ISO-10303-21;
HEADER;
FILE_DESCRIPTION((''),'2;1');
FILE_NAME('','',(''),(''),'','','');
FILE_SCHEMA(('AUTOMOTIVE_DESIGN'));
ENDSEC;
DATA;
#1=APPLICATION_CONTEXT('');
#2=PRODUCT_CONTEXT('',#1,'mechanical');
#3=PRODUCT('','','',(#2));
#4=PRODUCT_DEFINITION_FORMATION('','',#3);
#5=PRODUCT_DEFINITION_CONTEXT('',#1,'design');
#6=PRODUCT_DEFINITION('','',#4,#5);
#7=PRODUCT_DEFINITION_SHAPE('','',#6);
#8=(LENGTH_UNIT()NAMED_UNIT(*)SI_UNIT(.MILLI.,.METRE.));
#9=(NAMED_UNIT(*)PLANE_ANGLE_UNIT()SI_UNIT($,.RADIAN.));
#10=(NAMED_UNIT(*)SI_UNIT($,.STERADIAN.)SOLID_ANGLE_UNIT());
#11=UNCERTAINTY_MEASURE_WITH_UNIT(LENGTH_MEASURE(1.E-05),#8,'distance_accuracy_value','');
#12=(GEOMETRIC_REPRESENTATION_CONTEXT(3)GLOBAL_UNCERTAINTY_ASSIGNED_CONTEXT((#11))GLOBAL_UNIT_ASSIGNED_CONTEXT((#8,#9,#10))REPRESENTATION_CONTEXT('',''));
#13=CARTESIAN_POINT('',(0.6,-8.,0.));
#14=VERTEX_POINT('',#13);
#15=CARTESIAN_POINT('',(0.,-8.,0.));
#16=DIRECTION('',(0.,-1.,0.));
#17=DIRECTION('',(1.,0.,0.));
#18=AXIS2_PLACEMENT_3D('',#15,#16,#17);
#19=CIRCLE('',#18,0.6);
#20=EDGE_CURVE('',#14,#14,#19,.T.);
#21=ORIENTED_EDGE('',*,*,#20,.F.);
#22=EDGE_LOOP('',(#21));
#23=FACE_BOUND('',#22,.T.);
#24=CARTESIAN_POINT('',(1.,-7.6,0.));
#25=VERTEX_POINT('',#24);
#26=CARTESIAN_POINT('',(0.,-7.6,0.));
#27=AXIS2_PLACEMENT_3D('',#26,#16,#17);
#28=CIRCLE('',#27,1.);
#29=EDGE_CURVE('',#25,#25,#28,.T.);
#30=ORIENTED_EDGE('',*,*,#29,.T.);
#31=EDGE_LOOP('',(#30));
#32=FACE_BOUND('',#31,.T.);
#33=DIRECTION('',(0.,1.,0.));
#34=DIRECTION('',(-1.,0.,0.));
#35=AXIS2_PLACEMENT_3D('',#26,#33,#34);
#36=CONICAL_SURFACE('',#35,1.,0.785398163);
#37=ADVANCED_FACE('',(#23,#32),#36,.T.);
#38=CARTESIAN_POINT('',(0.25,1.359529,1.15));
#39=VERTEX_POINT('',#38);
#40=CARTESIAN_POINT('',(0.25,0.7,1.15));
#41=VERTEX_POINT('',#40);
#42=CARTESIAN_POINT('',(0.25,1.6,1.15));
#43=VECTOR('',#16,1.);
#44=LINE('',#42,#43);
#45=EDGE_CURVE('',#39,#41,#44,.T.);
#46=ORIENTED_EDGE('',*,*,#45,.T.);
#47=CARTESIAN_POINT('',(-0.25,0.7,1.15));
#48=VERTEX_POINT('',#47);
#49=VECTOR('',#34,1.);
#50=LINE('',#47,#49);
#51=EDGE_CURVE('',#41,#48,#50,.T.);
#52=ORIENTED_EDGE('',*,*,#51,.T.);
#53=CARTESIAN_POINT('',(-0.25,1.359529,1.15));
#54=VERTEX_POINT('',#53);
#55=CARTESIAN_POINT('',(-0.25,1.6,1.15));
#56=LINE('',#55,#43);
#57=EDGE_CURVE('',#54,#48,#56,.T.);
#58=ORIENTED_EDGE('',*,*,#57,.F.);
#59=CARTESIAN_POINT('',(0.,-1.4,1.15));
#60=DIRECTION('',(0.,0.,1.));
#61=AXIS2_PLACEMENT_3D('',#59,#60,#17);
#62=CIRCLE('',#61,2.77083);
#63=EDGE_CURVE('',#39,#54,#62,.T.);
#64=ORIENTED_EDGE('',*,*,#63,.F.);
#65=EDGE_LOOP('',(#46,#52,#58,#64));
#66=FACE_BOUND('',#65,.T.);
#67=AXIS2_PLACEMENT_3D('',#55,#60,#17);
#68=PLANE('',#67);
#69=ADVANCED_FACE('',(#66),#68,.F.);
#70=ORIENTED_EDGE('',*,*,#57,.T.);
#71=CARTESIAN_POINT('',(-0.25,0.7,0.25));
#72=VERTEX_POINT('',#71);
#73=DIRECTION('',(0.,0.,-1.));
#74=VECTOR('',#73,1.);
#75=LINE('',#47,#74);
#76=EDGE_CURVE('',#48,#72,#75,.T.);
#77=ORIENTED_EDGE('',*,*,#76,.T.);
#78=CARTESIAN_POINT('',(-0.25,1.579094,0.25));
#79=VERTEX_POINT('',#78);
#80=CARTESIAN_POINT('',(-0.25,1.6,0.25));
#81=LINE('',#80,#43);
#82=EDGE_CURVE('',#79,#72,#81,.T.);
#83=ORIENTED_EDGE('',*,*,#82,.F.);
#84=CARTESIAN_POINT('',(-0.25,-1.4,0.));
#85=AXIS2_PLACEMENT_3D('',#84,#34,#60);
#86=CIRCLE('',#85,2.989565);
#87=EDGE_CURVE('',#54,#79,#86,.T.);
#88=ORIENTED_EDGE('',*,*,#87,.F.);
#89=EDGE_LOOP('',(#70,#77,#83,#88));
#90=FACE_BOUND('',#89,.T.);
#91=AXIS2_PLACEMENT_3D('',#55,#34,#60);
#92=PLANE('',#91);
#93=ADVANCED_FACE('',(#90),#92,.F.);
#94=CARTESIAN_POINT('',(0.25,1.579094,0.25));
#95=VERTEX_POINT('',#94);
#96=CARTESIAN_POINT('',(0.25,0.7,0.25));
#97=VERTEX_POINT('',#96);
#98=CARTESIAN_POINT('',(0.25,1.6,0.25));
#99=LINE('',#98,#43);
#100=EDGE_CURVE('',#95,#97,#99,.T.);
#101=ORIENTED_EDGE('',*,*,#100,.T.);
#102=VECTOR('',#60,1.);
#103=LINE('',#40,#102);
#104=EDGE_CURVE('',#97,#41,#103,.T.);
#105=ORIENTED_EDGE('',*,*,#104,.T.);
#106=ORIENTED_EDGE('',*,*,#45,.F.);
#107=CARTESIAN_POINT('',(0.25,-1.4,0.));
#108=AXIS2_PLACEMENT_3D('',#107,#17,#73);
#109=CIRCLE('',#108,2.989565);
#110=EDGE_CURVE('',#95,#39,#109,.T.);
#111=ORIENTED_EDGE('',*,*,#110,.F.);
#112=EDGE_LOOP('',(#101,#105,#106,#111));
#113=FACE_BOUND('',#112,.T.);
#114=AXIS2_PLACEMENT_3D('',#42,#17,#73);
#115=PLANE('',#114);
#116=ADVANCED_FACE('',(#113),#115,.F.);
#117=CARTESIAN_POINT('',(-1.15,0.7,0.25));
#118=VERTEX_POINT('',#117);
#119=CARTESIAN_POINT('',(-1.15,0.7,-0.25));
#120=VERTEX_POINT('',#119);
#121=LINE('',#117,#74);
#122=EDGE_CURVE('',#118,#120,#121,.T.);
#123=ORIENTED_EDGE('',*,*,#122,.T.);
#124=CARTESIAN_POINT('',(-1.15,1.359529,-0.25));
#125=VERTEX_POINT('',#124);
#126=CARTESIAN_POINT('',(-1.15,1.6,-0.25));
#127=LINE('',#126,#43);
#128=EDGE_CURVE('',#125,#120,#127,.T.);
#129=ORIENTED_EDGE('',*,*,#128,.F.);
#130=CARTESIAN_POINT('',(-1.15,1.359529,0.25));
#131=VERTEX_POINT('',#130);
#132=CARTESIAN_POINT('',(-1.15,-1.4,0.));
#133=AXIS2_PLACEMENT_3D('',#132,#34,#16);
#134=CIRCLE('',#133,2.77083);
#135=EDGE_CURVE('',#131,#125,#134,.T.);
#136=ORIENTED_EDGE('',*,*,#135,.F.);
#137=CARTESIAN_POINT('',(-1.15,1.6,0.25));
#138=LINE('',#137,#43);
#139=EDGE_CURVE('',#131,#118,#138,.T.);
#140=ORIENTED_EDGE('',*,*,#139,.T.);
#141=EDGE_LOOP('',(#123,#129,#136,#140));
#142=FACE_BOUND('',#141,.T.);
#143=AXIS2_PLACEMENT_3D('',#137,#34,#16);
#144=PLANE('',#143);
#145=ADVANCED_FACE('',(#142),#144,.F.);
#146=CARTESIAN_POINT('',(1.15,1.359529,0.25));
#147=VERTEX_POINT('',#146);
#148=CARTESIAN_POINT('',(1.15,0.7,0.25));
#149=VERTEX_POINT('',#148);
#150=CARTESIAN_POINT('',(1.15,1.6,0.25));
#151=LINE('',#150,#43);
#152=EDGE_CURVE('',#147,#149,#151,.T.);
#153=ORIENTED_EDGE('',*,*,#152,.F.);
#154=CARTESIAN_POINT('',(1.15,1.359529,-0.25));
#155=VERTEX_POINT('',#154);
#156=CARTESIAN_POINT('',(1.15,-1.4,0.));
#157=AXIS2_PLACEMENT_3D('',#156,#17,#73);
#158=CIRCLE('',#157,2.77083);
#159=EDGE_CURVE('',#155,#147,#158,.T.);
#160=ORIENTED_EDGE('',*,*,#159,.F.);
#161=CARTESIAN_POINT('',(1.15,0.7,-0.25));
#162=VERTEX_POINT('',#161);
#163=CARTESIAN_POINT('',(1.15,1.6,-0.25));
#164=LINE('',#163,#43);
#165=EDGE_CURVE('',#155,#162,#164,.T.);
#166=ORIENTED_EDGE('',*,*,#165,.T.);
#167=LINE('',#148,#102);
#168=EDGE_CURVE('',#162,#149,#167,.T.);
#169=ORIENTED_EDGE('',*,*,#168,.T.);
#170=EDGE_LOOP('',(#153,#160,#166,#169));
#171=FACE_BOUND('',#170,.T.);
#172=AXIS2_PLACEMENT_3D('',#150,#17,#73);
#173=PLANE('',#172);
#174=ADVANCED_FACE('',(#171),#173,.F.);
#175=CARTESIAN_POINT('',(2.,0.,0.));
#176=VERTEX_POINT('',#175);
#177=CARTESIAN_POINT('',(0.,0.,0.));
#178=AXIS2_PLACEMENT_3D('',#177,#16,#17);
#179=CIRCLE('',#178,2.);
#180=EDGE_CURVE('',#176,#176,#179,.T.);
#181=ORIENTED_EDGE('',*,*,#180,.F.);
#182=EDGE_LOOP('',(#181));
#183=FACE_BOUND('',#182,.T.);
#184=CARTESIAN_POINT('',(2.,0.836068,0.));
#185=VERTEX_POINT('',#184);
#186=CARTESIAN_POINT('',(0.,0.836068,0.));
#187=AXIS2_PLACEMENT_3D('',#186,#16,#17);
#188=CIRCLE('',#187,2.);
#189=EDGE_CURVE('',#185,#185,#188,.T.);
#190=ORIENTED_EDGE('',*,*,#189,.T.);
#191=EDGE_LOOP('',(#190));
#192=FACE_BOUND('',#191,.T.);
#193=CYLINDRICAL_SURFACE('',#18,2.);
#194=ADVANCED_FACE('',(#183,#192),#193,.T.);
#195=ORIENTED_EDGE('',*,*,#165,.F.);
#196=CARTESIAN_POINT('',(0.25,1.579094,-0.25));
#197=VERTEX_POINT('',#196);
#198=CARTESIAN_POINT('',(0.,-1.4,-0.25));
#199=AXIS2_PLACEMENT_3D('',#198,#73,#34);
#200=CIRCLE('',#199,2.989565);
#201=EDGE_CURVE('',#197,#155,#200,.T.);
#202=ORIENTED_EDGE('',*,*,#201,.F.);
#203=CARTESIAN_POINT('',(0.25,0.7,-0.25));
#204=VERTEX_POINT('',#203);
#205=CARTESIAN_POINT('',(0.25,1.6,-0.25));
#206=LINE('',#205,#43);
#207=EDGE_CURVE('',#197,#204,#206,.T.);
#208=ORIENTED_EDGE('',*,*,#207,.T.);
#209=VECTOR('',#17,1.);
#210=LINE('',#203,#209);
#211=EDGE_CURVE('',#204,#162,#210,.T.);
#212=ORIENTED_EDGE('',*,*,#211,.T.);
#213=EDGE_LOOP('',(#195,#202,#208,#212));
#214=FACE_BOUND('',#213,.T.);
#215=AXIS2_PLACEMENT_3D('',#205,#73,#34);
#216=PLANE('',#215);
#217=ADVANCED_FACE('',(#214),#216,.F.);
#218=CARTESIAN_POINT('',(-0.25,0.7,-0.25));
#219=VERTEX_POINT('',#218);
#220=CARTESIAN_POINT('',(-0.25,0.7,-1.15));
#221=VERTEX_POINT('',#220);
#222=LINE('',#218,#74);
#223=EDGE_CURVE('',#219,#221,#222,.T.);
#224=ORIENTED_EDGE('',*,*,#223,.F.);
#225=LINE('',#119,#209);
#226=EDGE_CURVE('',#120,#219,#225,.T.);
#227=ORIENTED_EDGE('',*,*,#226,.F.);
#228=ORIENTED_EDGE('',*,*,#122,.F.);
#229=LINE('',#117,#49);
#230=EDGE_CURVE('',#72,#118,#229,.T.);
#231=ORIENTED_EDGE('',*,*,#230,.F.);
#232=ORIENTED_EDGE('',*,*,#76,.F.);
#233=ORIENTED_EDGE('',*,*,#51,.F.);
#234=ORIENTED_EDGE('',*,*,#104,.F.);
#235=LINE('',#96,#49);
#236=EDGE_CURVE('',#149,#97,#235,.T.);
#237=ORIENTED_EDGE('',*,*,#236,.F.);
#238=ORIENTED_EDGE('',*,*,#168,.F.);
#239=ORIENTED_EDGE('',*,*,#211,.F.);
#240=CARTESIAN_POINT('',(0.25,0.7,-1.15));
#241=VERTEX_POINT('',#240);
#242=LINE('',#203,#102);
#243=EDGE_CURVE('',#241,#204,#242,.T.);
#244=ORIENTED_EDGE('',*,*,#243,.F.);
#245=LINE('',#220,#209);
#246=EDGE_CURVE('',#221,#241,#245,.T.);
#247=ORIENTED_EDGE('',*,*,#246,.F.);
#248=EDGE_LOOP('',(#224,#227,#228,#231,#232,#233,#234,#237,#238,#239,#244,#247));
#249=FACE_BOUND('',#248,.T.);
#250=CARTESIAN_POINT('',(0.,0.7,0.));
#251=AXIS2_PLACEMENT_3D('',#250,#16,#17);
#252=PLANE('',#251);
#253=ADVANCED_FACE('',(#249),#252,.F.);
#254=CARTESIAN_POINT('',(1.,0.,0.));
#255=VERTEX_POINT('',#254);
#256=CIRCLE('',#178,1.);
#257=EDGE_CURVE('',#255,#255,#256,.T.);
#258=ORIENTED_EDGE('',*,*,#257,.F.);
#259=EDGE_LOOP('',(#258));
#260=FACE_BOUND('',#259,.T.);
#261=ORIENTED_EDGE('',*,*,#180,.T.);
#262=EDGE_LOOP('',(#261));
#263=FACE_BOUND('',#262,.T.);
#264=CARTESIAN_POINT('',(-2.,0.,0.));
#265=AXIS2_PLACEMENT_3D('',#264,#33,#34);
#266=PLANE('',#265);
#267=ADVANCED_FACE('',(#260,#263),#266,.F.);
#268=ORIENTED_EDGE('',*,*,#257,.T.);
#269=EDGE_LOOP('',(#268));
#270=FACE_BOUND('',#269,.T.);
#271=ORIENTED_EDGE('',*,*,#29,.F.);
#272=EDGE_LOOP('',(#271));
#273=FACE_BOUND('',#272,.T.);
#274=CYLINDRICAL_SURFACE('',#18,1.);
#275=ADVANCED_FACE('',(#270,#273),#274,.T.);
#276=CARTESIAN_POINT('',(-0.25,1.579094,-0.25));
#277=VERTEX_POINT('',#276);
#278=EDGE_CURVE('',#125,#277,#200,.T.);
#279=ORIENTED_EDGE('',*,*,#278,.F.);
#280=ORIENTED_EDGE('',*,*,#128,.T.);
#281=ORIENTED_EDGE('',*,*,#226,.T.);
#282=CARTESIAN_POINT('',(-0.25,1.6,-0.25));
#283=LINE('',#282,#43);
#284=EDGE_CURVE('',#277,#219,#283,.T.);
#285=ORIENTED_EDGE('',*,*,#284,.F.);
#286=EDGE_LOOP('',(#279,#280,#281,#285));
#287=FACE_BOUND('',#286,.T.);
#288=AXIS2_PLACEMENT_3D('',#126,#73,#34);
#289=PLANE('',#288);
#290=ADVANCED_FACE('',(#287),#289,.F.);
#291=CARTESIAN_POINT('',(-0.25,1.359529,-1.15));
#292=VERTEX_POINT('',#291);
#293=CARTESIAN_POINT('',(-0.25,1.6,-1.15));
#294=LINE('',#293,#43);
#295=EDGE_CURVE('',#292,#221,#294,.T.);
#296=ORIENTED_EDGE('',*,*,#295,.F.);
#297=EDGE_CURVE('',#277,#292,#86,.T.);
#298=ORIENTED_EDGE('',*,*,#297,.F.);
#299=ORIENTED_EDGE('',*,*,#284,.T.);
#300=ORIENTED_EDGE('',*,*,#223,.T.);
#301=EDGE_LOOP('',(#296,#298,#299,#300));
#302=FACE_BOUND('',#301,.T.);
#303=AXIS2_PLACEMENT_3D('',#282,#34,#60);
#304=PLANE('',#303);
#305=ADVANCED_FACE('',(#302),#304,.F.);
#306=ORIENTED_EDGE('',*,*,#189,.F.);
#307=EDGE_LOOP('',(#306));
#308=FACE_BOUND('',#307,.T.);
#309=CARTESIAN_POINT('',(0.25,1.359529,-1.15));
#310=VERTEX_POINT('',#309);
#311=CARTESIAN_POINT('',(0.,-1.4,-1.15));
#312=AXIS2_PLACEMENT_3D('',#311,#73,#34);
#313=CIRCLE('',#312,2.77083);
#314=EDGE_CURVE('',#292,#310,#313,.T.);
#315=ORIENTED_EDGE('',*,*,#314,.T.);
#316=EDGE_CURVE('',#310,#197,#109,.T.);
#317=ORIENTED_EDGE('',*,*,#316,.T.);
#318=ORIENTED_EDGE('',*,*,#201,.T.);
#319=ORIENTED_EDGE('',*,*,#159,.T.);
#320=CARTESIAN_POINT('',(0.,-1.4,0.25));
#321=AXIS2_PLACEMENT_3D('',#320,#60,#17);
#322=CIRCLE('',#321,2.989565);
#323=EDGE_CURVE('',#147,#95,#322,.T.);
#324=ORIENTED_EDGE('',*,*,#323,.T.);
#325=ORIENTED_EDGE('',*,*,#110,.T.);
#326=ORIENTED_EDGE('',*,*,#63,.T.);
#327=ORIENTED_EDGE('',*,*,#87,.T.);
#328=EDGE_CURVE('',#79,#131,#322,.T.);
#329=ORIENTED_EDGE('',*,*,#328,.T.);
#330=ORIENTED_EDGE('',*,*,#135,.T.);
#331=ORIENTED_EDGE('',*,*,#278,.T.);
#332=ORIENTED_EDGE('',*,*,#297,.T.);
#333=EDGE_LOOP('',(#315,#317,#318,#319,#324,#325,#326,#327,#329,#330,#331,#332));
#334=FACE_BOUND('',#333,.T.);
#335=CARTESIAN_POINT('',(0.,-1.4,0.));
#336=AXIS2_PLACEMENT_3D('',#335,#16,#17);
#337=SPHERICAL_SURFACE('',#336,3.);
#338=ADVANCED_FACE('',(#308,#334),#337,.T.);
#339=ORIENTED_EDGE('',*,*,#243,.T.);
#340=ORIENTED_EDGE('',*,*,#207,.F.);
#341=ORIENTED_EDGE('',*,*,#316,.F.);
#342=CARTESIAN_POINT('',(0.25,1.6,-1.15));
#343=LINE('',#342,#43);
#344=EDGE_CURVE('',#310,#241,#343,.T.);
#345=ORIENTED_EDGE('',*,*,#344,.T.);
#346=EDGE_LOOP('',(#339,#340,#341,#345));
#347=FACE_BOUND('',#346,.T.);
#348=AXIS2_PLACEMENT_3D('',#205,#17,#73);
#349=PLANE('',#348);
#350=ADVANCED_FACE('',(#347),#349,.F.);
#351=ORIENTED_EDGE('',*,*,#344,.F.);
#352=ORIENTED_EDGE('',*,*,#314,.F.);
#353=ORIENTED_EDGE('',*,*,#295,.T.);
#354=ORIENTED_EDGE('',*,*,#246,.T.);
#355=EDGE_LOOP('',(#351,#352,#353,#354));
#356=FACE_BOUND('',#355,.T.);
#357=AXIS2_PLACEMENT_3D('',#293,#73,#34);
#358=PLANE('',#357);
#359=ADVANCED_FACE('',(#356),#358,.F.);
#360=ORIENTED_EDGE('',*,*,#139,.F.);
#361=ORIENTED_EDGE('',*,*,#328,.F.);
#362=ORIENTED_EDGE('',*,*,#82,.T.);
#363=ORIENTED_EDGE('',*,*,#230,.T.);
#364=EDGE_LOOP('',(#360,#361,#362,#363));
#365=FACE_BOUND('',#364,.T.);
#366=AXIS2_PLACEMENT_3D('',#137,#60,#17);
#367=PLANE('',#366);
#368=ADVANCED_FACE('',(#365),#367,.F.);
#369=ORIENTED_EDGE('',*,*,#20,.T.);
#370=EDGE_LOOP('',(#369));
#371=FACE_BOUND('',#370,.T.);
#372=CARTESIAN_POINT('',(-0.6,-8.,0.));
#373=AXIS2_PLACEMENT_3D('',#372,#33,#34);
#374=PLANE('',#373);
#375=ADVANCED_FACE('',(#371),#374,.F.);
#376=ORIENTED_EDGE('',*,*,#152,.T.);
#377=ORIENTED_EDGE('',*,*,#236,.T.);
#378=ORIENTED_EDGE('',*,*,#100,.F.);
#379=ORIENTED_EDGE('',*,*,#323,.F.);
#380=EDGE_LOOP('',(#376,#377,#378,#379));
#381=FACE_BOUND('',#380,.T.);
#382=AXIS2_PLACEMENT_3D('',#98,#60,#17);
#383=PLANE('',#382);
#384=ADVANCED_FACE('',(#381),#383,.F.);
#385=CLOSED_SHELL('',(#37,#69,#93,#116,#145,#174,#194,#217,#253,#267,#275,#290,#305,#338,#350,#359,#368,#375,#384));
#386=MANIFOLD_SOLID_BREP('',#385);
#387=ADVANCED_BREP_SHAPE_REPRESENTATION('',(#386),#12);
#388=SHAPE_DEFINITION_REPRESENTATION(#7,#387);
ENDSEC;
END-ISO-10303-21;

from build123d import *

# Parameters (mm, degrees)
CUT_EXTRUDE1_START = -0.7
CUT_EXTRUDE1_DEPTH = 8.785281374


with BuildPart() as part:
    # Sketch1 → Revolve1 (revolve)
    with BuildSketch(Plane.XY, mode=Mode.PRIVATE) as revolve1_sk:
        with BuildLine():
            Line((-2, 0), (-1, 0))
            Line((-1, 0), (-1, -7.6))
            Line((-1, -7.6), (-0.6, -8))
            Line((-0.6, -8), (0, -8))
            Line((0, -8), (0, 1.6))
            ThreePointArc((0, 1.6), (-1.070466269, 1.402517077), (-2, 0.836067977))
            Line((-2, 0.836067977), (-2, 0))
        make_face()
    revolve(revolve1_sk.sketch.rotate(Axis((0, -8, 0), (0, 1, 0)), 180), axis=Axis((0, -8, 0), (0, 1, 0)))

    # Sketch2 → Cut-Extrude1 (cut, through all)
    with BuildSketch(Plane.XZ.offset(CUT_EXTRUDE1_START)):
        Polygon((-0.25, 1.15), (0.25, 1.15), (0.25, 0.25), (1.15, 0.25), (1.15, -0.25), (0.25, -0.25), (0.25, -1.15), (-0.25, -1.15), (-0.25, -0.25), (-1.15, -0.25), (-1.15, 0.25), (-0.25, 0.25), align=None)
    extrude(amount=-CUT_EXTRUDE1_DEPTH, mode=Mode.SUBTRACT)


solid = part.part
